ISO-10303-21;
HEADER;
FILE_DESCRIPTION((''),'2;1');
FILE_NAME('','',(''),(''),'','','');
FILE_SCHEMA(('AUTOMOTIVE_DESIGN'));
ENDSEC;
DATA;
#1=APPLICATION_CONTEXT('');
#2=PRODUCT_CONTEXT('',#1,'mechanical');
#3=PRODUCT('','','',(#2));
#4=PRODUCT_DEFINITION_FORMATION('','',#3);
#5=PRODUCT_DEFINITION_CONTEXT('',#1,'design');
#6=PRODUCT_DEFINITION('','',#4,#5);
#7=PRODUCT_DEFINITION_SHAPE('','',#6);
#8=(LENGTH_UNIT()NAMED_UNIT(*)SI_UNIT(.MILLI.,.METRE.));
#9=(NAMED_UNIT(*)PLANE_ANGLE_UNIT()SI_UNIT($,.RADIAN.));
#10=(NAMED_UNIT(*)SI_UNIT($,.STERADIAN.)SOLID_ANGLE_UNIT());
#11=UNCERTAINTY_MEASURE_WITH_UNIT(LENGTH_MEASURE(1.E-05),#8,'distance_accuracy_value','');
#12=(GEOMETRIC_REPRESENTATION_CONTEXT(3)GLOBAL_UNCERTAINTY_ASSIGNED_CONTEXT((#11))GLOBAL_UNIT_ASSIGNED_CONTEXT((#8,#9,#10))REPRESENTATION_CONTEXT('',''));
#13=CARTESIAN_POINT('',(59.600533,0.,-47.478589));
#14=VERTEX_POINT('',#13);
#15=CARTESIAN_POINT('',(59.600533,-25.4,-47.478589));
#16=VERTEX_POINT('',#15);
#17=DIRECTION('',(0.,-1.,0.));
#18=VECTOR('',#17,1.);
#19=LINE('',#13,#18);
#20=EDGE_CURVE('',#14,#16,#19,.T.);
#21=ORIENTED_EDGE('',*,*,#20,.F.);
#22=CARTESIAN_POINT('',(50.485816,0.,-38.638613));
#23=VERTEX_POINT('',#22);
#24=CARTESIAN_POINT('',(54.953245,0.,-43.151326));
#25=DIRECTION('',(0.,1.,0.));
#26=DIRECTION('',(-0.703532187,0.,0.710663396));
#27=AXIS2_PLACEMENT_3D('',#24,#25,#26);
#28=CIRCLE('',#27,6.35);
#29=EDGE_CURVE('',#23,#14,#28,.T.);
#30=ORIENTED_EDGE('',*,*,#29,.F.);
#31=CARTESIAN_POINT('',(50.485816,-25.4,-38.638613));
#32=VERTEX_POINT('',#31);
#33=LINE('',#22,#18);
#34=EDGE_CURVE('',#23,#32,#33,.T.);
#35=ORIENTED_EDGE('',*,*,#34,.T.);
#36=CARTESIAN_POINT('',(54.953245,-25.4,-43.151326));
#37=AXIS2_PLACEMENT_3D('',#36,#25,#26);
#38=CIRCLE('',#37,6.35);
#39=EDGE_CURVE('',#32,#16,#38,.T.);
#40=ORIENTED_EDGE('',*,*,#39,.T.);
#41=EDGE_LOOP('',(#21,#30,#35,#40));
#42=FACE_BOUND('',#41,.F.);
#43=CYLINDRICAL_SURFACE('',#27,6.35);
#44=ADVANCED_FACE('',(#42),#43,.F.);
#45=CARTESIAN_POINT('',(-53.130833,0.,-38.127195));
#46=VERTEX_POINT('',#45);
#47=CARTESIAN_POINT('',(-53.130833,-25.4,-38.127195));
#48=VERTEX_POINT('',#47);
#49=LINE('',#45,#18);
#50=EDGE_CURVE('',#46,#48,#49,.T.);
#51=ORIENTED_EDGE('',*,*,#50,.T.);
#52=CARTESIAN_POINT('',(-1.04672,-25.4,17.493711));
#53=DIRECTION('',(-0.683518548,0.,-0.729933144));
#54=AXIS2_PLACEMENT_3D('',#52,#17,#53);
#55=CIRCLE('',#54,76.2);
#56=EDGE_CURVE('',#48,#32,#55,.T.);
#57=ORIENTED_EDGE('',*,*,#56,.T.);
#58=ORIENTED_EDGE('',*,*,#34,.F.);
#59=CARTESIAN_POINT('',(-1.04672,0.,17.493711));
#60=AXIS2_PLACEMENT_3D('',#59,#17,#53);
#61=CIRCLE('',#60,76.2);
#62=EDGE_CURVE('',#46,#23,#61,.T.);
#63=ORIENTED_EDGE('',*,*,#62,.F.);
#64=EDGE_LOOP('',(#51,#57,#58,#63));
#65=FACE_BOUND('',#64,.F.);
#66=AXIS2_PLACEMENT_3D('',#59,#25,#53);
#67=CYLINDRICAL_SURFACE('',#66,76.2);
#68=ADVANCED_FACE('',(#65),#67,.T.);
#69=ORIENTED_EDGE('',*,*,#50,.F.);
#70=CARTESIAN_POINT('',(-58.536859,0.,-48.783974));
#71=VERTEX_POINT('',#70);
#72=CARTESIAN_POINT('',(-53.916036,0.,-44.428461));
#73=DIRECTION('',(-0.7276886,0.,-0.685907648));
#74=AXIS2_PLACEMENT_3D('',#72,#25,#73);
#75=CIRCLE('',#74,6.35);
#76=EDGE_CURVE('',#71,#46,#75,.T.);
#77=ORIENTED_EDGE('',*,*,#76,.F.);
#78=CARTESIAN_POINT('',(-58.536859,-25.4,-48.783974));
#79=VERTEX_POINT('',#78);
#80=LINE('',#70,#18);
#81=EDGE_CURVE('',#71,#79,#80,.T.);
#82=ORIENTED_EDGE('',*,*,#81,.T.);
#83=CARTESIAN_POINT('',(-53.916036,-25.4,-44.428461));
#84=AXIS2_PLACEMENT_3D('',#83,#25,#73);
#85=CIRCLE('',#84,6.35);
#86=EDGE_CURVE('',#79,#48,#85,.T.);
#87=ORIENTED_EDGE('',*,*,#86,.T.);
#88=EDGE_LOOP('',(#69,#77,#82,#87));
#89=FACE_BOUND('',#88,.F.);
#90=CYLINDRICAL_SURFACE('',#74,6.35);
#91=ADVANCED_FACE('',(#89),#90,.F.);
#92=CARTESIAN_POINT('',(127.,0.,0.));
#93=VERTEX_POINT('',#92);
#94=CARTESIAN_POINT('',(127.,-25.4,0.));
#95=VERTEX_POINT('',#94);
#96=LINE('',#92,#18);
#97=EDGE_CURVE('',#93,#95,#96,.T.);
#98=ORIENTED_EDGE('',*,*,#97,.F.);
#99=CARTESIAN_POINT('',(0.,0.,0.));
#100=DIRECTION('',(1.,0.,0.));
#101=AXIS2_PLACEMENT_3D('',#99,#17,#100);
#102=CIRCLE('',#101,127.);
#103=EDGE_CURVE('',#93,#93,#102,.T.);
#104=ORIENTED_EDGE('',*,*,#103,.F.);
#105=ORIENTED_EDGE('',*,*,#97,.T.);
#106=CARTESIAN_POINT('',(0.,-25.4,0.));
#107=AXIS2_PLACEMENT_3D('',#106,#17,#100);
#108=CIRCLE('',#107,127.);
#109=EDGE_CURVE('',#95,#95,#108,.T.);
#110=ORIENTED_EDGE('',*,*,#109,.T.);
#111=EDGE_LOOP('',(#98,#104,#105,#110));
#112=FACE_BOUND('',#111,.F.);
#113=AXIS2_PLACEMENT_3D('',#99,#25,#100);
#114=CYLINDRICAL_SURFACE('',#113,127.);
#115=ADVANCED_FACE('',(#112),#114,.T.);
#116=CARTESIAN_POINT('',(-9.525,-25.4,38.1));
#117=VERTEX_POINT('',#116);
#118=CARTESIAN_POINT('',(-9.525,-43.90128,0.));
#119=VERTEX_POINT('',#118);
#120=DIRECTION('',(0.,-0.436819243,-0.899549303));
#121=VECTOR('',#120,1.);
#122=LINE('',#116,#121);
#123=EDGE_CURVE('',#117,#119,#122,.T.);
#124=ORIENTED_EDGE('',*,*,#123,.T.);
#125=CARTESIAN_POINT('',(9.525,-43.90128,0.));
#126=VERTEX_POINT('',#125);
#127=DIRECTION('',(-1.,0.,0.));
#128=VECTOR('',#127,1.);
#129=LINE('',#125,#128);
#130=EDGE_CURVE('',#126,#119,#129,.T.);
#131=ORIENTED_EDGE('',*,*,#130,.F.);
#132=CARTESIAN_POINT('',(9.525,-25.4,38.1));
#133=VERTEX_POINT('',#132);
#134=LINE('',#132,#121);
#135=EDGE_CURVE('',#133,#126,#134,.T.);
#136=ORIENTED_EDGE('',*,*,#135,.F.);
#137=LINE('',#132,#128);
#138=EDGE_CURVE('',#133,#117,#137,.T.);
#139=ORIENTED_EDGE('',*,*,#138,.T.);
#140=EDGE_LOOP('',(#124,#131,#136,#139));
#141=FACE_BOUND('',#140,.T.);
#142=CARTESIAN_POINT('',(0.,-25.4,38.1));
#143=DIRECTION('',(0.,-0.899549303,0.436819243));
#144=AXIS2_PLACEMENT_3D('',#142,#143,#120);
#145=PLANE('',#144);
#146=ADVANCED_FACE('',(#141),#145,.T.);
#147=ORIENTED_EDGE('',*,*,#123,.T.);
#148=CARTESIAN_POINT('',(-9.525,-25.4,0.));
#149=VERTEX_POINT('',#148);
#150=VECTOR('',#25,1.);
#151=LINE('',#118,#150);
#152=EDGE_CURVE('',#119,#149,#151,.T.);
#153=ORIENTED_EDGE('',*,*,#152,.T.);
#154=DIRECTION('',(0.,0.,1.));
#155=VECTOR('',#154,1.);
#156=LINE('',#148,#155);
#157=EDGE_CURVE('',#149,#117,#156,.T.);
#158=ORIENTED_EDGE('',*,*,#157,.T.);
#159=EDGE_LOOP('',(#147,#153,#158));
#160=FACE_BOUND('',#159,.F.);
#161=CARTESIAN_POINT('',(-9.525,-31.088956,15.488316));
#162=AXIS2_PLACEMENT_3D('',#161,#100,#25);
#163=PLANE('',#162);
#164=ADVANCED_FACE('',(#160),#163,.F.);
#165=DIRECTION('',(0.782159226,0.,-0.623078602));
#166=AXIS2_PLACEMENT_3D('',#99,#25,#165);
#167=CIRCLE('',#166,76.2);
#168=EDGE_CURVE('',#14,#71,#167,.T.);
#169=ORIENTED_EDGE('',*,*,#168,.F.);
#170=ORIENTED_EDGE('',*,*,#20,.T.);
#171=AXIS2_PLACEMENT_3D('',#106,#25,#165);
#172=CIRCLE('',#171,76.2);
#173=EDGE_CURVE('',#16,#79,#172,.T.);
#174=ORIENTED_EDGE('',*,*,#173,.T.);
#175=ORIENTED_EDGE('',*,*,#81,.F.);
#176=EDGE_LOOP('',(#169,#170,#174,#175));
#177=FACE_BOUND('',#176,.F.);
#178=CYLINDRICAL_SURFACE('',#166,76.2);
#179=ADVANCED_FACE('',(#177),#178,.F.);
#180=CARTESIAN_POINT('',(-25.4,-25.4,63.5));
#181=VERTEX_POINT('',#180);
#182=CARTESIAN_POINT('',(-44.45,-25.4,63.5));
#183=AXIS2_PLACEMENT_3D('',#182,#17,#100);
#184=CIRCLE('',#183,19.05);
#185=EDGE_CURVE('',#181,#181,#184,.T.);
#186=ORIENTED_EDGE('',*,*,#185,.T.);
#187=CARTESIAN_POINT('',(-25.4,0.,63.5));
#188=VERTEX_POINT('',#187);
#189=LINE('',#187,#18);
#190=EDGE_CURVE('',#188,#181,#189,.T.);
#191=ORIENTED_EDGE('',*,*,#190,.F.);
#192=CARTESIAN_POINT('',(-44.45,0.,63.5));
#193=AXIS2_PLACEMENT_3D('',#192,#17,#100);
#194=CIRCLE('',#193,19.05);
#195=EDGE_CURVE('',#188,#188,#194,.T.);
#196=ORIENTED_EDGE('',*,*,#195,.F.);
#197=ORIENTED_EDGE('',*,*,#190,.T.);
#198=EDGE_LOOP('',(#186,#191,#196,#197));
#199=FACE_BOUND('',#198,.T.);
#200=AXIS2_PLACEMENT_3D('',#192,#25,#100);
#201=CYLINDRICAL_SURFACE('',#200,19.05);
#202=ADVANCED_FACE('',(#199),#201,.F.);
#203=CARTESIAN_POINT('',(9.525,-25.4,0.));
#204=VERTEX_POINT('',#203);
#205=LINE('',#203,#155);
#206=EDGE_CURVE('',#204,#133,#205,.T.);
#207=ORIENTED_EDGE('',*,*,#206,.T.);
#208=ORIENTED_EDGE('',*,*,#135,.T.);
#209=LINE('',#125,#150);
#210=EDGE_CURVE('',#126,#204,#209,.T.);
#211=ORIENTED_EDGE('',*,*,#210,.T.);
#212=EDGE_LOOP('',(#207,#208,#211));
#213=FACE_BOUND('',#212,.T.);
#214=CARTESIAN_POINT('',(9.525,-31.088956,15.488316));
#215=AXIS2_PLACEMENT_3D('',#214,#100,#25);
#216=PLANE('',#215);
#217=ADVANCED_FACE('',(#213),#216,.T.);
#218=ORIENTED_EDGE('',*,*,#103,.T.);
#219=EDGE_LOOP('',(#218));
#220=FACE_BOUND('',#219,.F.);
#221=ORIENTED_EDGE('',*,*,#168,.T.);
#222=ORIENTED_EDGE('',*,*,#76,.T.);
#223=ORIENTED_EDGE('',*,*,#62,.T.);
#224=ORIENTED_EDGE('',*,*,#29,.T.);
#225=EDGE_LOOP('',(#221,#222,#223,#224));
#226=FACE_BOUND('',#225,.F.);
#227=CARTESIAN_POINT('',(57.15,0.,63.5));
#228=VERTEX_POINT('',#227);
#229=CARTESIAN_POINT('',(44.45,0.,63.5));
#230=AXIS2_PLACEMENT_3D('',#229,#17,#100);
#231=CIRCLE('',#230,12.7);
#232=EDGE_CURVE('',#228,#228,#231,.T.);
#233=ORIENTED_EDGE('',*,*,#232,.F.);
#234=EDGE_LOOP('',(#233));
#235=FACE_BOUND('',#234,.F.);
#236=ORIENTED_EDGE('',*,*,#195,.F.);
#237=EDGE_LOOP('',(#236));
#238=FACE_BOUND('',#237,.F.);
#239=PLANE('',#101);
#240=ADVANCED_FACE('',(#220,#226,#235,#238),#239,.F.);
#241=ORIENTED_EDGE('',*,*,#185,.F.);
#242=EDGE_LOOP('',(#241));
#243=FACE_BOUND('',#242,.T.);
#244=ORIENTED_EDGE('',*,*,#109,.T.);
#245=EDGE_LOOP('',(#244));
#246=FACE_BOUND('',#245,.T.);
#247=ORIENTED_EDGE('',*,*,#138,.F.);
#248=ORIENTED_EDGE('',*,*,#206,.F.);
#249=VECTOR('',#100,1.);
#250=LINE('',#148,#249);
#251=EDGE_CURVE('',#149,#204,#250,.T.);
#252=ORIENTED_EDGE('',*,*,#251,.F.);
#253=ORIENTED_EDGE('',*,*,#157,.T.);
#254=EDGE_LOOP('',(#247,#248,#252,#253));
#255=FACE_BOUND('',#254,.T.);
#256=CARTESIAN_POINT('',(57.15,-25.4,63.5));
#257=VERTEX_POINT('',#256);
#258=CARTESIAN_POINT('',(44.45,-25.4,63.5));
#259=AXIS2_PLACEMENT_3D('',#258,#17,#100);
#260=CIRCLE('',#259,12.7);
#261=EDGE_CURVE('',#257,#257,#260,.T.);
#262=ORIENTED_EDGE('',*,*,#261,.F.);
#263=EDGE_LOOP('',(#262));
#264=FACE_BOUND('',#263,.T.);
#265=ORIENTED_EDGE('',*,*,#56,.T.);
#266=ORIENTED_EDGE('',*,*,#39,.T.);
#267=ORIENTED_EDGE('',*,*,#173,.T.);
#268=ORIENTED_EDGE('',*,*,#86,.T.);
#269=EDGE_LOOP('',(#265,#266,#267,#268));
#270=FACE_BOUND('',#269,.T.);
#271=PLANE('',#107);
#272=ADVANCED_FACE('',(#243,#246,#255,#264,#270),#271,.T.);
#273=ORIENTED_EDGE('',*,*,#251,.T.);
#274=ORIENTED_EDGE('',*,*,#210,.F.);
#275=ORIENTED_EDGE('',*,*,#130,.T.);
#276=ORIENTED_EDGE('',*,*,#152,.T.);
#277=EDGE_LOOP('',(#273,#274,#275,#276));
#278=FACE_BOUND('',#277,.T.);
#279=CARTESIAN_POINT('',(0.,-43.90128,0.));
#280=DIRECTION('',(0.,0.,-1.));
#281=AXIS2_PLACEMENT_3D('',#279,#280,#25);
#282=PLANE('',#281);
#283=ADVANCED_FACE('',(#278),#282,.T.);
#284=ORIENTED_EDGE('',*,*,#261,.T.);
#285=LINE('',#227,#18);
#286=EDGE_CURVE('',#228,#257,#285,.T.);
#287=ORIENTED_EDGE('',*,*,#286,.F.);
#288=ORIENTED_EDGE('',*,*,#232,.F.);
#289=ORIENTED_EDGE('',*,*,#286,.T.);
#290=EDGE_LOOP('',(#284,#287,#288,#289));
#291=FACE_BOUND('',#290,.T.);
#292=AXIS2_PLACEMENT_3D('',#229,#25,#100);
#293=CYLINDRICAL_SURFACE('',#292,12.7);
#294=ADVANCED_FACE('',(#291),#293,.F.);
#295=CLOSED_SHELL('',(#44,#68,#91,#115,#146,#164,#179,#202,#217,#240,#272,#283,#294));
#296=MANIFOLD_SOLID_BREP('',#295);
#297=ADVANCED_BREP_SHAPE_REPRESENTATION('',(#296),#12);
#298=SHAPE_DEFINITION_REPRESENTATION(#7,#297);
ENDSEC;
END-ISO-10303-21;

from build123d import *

# Parameters (mm, degrees)
F0_R     = 127
F0_R_2   = 19.05
F0_R_3   = 12.7
F1_DEPTH = 25.4
F3_DEPTH = 9.525


with BuildPart() as f1:
    # F0 (on Front) → F1 (new body)
    with BuildSketch(Plane.XZ):
        Circle(F0_R)
        with BuildLine():
            ThreePointArc((59.600533053, -47.4785894883), (0.8419371325, -76.1953485579), (-58.5368588455, -48.783974382))
            ThreePointArc((-58.5368588455, -48.783974382), (-59.5790507482, -41.5556979317), (-53.1308332302, -38.1271945784))
            ThreePointArc((-53.1308332302, -38.1271945784), (-1.4228139641, -58.7053608917), (50.4858155219, -38.6386130206))
            ThreePointArc((50.4858155219, -38.6386130206), (59.3741479013, -38.5930236288), (59.600533053, -47.4785894883))
        make_face(mode=Mode.SUBTRACT)
        with Locations((-44.45, 63.5)):
            Circle(F0_R_2, mode=Mode.SUBTRACT)
        with Locations((44.45, 63.5)):
            Circle(F0_R_3, mode=Mode.SUBTRACT)
    extrude(amount=F1_DEPTH)

    # F2 (on Right) → F3 (join, symmetric)
    with BuildSketch(Plane.YZ):
        Polygon((-43.9012795687, 0), (-25.4, 0), (-25.4, 38.1), align=None)
    extrude(amount=F3_DEPTH, both=True)


solid = f1.part
